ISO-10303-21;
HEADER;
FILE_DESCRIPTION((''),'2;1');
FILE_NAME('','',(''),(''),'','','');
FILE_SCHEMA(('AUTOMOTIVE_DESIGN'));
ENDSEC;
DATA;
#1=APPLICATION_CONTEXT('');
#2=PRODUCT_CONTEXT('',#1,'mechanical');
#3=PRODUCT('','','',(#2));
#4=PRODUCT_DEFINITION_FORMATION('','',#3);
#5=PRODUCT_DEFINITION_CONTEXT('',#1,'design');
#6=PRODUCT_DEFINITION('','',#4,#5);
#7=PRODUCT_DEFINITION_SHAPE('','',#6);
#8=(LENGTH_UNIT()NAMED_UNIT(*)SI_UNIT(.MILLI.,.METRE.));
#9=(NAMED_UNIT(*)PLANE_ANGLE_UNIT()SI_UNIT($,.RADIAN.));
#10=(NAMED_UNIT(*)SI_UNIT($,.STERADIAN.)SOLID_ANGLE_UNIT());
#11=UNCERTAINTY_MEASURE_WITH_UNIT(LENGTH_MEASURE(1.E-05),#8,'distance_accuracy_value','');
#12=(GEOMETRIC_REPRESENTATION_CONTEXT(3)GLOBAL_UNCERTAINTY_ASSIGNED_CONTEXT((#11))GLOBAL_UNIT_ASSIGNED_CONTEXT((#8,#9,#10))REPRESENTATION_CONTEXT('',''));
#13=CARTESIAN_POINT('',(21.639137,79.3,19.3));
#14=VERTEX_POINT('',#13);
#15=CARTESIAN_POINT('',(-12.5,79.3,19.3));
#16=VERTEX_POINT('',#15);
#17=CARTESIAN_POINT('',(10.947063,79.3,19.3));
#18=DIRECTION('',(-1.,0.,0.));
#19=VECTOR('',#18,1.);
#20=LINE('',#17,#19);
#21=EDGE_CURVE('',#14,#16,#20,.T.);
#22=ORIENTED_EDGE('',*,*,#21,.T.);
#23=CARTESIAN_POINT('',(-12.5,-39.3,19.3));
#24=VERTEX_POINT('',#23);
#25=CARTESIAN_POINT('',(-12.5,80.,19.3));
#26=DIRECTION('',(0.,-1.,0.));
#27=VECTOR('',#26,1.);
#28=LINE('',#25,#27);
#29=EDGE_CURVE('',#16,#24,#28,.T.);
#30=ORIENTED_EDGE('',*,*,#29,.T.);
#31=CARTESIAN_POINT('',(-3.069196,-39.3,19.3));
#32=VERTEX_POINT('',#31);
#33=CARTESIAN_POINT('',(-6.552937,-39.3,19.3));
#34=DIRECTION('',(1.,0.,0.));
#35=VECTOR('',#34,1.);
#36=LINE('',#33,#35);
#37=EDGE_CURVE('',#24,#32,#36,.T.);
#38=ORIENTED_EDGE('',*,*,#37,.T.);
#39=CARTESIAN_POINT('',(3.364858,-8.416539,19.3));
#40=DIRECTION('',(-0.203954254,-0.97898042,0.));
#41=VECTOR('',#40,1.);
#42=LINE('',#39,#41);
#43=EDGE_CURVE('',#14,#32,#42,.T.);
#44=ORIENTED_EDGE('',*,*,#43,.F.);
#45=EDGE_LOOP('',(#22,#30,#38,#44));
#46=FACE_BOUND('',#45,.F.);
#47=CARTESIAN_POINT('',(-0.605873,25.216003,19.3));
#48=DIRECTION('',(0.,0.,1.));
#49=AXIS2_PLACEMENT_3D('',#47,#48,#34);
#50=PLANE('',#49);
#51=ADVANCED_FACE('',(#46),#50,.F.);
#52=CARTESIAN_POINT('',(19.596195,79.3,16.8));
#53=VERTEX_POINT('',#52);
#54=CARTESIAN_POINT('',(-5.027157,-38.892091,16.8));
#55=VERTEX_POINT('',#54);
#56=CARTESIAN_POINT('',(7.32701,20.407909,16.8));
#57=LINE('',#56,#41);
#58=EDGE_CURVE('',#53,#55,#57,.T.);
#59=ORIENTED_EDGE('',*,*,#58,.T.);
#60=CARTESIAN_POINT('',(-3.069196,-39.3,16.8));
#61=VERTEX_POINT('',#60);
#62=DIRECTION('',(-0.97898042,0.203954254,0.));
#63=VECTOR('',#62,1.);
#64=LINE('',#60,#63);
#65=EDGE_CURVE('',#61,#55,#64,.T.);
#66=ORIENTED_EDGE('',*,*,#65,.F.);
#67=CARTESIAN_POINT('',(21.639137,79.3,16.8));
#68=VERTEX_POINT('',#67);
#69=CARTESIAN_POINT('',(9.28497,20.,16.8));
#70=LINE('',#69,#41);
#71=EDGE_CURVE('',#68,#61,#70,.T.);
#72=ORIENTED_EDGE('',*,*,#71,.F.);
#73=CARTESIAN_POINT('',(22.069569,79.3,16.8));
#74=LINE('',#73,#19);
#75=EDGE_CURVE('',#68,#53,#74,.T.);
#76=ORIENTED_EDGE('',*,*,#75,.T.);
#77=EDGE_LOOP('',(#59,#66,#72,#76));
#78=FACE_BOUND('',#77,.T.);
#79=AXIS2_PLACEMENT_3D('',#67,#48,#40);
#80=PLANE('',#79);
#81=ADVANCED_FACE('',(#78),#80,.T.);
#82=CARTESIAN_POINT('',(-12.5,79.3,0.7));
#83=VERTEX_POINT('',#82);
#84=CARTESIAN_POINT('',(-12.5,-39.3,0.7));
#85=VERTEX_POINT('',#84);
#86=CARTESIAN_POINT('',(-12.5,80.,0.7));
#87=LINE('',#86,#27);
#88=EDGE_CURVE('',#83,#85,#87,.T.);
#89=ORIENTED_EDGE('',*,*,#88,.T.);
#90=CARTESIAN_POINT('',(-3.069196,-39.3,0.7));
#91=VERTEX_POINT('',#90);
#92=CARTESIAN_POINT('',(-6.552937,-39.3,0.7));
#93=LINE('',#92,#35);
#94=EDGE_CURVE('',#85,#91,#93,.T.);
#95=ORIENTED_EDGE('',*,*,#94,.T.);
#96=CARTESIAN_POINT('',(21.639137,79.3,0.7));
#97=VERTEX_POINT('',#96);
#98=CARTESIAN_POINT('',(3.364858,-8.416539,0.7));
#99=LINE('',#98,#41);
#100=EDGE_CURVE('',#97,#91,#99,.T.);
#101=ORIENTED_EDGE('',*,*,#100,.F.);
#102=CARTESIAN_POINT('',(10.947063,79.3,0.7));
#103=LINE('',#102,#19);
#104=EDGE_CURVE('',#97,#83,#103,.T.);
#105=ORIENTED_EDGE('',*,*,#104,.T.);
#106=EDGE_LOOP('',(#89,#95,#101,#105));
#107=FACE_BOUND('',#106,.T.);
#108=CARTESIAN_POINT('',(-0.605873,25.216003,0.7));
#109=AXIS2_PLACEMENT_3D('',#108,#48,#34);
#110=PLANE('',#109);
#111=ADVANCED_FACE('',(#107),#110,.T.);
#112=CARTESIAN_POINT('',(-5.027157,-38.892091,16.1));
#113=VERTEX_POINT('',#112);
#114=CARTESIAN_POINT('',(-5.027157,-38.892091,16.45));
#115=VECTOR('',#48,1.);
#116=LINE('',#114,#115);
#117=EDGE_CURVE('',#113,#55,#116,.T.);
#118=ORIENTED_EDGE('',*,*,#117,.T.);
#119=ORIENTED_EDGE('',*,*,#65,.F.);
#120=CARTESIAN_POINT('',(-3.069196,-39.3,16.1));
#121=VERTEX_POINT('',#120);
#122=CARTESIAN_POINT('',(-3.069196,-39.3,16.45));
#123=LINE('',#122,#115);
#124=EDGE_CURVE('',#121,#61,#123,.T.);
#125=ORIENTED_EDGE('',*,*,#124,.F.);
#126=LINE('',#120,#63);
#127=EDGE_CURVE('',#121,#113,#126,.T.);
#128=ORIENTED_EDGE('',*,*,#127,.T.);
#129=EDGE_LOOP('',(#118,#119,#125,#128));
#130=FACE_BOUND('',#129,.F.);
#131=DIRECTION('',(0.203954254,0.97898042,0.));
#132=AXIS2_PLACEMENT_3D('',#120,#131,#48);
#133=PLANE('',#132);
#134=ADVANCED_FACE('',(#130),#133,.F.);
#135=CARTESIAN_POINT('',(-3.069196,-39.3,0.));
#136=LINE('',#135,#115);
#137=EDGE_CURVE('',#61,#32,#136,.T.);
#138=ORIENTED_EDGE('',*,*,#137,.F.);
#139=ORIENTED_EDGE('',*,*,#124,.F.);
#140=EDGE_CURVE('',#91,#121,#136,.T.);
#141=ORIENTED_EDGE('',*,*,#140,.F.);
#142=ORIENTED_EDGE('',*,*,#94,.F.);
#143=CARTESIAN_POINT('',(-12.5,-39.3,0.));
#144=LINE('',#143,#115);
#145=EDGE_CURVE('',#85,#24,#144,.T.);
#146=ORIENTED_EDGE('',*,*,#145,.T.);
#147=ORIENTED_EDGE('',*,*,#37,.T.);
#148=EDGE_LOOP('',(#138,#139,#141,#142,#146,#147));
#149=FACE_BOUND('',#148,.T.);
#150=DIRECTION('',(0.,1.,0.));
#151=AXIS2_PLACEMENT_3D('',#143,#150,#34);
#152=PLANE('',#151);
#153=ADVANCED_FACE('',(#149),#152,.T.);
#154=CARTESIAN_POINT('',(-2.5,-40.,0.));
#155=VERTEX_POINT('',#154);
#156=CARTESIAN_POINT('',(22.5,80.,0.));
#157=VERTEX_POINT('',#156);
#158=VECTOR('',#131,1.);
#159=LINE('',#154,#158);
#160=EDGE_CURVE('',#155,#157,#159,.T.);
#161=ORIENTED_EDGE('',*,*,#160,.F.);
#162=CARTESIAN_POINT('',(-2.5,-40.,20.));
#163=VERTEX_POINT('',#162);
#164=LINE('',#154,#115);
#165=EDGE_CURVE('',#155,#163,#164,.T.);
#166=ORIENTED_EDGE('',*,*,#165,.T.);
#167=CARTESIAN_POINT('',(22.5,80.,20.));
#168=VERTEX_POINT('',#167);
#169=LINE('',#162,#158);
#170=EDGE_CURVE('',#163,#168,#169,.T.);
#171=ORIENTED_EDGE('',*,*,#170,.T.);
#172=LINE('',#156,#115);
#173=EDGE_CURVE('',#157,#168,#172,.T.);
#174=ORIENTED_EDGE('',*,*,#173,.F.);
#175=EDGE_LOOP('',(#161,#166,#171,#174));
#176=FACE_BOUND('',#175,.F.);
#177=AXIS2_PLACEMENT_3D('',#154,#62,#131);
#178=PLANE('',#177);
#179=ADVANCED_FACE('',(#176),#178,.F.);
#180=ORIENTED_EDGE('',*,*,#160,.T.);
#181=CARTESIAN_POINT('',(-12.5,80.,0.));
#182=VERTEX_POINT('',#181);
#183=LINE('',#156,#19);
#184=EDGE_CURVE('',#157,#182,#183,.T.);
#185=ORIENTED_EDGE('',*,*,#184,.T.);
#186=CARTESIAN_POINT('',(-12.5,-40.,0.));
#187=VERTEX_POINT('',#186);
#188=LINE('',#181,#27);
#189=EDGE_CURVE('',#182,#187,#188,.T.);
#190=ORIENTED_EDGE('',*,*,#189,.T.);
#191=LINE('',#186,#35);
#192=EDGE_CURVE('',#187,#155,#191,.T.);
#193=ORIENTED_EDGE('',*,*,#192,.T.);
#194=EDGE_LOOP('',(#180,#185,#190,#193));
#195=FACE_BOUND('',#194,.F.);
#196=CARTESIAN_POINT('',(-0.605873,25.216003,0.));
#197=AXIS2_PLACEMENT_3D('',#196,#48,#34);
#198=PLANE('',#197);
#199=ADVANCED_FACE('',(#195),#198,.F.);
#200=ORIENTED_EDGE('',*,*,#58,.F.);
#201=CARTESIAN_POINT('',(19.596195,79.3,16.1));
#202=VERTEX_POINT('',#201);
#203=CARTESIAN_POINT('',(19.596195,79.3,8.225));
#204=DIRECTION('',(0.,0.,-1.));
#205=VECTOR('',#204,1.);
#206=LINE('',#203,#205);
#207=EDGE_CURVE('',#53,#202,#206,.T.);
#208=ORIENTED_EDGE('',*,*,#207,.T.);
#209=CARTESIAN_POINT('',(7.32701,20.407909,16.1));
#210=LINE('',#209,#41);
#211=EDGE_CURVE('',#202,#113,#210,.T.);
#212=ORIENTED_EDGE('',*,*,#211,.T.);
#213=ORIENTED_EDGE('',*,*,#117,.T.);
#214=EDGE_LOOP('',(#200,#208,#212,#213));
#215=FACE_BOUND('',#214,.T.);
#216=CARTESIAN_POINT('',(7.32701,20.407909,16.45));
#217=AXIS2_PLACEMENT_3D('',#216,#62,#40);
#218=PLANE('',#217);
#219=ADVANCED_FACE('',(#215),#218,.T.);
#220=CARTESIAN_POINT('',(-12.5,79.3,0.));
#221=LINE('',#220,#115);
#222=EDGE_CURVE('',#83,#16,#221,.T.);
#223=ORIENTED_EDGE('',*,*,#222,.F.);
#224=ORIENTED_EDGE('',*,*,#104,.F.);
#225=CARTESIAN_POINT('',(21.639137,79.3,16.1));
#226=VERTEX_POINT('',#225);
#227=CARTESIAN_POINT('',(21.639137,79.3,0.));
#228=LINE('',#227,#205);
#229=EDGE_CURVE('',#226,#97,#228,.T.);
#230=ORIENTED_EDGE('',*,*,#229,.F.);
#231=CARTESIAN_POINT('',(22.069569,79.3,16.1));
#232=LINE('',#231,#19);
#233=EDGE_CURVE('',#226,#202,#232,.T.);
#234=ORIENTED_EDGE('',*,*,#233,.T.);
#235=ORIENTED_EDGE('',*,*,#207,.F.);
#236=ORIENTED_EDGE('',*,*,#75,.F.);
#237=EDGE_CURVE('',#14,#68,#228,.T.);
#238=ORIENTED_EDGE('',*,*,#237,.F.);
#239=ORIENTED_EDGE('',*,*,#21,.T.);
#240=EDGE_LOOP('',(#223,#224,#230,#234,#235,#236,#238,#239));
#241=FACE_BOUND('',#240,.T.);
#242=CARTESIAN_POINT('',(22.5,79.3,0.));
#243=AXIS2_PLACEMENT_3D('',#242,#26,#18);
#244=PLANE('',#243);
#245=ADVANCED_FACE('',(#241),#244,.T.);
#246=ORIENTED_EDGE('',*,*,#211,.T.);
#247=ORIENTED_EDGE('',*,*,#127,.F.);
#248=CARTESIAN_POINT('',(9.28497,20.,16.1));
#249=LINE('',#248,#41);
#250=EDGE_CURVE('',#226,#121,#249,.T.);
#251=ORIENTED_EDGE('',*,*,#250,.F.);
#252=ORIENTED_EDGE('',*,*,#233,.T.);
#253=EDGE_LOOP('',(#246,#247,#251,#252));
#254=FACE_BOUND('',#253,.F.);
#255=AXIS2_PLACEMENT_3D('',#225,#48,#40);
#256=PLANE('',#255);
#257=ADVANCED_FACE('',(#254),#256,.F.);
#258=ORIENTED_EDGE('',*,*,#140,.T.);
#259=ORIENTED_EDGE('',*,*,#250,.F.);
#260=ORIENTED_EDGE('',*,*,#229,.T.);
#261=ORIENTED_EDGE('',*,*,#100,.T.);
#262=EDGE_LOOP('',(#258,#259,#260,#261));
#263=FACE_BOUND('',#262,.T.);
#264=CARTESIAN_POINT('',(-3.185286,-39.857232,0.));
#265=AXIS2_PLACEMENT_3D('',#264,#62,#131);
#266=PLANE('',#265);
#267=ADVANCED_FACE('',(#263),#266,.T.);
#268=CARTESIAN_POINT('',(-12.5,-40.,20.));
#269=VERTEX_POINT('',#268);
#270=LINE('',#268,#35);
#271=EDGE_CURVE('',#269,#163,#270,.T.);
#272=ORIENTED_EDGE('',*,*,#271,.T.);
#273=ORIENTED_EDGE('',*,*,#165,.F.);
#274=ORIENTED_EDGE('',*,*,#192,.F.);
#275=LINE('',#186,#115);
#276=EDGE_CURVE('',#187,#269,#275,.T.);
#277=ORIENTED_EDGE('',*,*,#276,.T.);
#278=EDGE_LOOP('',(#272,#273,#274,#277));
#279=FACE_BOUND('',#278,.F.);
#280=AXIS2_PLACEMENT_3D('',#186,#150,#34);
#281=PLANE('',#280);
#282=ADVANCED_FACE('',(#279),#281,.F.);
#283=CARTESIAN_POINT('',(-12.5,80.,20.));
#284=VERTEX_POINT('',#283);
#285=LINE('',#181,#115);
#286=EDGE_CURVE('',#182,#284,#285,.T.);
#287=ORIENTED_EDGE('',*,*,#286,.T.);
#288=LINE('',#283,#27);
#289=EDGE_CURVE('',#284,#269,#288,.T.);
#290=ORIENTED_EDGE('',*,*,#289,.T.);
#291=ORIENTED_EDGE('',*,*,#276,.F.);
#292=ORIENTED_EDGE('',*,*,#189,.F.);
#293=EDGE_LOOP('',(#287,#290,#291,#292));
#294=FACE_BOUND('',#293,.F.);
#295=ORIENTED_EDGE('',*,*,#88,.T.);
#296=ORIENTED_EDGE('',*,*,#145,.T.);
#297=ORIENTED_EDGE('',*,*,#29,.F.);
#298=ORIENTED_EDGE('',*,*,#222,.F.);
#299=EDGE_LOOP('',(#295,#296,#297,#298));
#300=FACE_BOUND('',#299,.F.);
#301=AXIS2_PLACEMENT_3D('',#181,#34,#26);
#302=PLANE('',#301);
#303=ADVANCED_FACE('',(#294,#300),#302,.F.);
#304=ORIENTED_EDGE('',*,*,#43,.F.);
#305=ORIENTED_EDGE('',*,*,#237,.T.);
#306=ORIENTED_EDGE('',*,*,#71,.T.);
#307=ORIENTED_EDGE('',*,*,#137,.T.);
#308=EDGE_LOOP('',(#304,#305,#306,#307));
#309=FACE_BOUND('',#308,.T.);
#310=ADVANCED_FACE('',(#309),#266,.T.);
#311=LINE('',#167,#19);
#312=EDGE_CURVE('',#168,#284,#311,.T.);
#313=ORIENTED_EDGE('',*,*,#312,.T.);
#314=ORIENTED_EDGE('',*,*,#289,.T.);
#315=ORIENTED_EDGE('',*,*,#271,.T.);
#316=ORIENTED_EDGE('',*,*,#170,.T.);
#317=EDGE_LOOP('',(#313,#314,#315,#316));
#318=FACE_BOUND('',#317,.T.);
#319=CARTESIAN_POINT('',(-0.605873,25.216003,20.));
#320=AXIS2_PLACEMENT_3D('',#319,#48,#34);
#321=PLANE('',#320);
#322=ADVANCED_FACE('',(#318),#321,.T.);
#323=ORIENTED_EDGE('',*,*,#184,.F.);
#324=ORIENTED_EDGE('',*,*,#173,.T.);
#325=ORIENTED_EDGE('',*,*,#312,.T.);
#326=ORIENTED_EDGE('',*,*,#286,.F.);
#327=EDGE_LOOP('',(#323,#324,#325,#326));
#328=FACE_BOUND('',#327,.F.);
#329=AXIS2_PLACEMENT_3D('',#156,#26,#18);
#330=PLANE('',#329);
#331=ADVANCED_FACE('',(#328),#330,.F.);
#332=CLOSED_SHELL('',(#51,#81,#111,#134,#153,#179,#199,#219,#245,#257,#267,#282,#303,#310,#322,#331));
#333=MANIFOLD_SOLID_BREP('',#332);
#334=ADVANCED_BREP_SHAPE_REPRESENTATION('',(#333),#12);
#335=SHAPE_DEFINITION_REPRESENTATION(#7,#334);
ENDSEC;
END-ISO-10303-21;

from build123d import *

# Parameters (mm, degrees)
F1_DEPTH = 20
F2_T     = -0.7
F3_W     = 121.1464474762
F3_H     = 0.7
F4_DEPTH = 2


with BuildPart() as f1:
    # F0 (on Top) → F1 (new body)
    with BuildSketch(Plane.XY):
        Polygon((22.5, 80), (-12.5, 80), (-12.5, -40), (-2.5, -40), align=None)
    extrude(amount=F1_DEPTH)

    # F2
    f2_openings = [f1.faces().sort_by_distance(p)[0] for p in [
        (-12.5, 20, 10),
    ]]
    offset(amount=F2_T, openings=f2_openings)

    # F3 (on face) → F4 (join)
    with BuildSketch(Plane(origin=(4.9053959025, -1.0219574797, 0), x_dir=(-0.2039542541, -0.9789804197, 0), z_dir=(-0.9789804197, 0.2039542541, 0))):
        with Locations((-21.4733176025, 16.45)):
            Rectangle(F3_W, F3_H)
    extrude(amount=F4_DEPTH)


solid = f1.part
